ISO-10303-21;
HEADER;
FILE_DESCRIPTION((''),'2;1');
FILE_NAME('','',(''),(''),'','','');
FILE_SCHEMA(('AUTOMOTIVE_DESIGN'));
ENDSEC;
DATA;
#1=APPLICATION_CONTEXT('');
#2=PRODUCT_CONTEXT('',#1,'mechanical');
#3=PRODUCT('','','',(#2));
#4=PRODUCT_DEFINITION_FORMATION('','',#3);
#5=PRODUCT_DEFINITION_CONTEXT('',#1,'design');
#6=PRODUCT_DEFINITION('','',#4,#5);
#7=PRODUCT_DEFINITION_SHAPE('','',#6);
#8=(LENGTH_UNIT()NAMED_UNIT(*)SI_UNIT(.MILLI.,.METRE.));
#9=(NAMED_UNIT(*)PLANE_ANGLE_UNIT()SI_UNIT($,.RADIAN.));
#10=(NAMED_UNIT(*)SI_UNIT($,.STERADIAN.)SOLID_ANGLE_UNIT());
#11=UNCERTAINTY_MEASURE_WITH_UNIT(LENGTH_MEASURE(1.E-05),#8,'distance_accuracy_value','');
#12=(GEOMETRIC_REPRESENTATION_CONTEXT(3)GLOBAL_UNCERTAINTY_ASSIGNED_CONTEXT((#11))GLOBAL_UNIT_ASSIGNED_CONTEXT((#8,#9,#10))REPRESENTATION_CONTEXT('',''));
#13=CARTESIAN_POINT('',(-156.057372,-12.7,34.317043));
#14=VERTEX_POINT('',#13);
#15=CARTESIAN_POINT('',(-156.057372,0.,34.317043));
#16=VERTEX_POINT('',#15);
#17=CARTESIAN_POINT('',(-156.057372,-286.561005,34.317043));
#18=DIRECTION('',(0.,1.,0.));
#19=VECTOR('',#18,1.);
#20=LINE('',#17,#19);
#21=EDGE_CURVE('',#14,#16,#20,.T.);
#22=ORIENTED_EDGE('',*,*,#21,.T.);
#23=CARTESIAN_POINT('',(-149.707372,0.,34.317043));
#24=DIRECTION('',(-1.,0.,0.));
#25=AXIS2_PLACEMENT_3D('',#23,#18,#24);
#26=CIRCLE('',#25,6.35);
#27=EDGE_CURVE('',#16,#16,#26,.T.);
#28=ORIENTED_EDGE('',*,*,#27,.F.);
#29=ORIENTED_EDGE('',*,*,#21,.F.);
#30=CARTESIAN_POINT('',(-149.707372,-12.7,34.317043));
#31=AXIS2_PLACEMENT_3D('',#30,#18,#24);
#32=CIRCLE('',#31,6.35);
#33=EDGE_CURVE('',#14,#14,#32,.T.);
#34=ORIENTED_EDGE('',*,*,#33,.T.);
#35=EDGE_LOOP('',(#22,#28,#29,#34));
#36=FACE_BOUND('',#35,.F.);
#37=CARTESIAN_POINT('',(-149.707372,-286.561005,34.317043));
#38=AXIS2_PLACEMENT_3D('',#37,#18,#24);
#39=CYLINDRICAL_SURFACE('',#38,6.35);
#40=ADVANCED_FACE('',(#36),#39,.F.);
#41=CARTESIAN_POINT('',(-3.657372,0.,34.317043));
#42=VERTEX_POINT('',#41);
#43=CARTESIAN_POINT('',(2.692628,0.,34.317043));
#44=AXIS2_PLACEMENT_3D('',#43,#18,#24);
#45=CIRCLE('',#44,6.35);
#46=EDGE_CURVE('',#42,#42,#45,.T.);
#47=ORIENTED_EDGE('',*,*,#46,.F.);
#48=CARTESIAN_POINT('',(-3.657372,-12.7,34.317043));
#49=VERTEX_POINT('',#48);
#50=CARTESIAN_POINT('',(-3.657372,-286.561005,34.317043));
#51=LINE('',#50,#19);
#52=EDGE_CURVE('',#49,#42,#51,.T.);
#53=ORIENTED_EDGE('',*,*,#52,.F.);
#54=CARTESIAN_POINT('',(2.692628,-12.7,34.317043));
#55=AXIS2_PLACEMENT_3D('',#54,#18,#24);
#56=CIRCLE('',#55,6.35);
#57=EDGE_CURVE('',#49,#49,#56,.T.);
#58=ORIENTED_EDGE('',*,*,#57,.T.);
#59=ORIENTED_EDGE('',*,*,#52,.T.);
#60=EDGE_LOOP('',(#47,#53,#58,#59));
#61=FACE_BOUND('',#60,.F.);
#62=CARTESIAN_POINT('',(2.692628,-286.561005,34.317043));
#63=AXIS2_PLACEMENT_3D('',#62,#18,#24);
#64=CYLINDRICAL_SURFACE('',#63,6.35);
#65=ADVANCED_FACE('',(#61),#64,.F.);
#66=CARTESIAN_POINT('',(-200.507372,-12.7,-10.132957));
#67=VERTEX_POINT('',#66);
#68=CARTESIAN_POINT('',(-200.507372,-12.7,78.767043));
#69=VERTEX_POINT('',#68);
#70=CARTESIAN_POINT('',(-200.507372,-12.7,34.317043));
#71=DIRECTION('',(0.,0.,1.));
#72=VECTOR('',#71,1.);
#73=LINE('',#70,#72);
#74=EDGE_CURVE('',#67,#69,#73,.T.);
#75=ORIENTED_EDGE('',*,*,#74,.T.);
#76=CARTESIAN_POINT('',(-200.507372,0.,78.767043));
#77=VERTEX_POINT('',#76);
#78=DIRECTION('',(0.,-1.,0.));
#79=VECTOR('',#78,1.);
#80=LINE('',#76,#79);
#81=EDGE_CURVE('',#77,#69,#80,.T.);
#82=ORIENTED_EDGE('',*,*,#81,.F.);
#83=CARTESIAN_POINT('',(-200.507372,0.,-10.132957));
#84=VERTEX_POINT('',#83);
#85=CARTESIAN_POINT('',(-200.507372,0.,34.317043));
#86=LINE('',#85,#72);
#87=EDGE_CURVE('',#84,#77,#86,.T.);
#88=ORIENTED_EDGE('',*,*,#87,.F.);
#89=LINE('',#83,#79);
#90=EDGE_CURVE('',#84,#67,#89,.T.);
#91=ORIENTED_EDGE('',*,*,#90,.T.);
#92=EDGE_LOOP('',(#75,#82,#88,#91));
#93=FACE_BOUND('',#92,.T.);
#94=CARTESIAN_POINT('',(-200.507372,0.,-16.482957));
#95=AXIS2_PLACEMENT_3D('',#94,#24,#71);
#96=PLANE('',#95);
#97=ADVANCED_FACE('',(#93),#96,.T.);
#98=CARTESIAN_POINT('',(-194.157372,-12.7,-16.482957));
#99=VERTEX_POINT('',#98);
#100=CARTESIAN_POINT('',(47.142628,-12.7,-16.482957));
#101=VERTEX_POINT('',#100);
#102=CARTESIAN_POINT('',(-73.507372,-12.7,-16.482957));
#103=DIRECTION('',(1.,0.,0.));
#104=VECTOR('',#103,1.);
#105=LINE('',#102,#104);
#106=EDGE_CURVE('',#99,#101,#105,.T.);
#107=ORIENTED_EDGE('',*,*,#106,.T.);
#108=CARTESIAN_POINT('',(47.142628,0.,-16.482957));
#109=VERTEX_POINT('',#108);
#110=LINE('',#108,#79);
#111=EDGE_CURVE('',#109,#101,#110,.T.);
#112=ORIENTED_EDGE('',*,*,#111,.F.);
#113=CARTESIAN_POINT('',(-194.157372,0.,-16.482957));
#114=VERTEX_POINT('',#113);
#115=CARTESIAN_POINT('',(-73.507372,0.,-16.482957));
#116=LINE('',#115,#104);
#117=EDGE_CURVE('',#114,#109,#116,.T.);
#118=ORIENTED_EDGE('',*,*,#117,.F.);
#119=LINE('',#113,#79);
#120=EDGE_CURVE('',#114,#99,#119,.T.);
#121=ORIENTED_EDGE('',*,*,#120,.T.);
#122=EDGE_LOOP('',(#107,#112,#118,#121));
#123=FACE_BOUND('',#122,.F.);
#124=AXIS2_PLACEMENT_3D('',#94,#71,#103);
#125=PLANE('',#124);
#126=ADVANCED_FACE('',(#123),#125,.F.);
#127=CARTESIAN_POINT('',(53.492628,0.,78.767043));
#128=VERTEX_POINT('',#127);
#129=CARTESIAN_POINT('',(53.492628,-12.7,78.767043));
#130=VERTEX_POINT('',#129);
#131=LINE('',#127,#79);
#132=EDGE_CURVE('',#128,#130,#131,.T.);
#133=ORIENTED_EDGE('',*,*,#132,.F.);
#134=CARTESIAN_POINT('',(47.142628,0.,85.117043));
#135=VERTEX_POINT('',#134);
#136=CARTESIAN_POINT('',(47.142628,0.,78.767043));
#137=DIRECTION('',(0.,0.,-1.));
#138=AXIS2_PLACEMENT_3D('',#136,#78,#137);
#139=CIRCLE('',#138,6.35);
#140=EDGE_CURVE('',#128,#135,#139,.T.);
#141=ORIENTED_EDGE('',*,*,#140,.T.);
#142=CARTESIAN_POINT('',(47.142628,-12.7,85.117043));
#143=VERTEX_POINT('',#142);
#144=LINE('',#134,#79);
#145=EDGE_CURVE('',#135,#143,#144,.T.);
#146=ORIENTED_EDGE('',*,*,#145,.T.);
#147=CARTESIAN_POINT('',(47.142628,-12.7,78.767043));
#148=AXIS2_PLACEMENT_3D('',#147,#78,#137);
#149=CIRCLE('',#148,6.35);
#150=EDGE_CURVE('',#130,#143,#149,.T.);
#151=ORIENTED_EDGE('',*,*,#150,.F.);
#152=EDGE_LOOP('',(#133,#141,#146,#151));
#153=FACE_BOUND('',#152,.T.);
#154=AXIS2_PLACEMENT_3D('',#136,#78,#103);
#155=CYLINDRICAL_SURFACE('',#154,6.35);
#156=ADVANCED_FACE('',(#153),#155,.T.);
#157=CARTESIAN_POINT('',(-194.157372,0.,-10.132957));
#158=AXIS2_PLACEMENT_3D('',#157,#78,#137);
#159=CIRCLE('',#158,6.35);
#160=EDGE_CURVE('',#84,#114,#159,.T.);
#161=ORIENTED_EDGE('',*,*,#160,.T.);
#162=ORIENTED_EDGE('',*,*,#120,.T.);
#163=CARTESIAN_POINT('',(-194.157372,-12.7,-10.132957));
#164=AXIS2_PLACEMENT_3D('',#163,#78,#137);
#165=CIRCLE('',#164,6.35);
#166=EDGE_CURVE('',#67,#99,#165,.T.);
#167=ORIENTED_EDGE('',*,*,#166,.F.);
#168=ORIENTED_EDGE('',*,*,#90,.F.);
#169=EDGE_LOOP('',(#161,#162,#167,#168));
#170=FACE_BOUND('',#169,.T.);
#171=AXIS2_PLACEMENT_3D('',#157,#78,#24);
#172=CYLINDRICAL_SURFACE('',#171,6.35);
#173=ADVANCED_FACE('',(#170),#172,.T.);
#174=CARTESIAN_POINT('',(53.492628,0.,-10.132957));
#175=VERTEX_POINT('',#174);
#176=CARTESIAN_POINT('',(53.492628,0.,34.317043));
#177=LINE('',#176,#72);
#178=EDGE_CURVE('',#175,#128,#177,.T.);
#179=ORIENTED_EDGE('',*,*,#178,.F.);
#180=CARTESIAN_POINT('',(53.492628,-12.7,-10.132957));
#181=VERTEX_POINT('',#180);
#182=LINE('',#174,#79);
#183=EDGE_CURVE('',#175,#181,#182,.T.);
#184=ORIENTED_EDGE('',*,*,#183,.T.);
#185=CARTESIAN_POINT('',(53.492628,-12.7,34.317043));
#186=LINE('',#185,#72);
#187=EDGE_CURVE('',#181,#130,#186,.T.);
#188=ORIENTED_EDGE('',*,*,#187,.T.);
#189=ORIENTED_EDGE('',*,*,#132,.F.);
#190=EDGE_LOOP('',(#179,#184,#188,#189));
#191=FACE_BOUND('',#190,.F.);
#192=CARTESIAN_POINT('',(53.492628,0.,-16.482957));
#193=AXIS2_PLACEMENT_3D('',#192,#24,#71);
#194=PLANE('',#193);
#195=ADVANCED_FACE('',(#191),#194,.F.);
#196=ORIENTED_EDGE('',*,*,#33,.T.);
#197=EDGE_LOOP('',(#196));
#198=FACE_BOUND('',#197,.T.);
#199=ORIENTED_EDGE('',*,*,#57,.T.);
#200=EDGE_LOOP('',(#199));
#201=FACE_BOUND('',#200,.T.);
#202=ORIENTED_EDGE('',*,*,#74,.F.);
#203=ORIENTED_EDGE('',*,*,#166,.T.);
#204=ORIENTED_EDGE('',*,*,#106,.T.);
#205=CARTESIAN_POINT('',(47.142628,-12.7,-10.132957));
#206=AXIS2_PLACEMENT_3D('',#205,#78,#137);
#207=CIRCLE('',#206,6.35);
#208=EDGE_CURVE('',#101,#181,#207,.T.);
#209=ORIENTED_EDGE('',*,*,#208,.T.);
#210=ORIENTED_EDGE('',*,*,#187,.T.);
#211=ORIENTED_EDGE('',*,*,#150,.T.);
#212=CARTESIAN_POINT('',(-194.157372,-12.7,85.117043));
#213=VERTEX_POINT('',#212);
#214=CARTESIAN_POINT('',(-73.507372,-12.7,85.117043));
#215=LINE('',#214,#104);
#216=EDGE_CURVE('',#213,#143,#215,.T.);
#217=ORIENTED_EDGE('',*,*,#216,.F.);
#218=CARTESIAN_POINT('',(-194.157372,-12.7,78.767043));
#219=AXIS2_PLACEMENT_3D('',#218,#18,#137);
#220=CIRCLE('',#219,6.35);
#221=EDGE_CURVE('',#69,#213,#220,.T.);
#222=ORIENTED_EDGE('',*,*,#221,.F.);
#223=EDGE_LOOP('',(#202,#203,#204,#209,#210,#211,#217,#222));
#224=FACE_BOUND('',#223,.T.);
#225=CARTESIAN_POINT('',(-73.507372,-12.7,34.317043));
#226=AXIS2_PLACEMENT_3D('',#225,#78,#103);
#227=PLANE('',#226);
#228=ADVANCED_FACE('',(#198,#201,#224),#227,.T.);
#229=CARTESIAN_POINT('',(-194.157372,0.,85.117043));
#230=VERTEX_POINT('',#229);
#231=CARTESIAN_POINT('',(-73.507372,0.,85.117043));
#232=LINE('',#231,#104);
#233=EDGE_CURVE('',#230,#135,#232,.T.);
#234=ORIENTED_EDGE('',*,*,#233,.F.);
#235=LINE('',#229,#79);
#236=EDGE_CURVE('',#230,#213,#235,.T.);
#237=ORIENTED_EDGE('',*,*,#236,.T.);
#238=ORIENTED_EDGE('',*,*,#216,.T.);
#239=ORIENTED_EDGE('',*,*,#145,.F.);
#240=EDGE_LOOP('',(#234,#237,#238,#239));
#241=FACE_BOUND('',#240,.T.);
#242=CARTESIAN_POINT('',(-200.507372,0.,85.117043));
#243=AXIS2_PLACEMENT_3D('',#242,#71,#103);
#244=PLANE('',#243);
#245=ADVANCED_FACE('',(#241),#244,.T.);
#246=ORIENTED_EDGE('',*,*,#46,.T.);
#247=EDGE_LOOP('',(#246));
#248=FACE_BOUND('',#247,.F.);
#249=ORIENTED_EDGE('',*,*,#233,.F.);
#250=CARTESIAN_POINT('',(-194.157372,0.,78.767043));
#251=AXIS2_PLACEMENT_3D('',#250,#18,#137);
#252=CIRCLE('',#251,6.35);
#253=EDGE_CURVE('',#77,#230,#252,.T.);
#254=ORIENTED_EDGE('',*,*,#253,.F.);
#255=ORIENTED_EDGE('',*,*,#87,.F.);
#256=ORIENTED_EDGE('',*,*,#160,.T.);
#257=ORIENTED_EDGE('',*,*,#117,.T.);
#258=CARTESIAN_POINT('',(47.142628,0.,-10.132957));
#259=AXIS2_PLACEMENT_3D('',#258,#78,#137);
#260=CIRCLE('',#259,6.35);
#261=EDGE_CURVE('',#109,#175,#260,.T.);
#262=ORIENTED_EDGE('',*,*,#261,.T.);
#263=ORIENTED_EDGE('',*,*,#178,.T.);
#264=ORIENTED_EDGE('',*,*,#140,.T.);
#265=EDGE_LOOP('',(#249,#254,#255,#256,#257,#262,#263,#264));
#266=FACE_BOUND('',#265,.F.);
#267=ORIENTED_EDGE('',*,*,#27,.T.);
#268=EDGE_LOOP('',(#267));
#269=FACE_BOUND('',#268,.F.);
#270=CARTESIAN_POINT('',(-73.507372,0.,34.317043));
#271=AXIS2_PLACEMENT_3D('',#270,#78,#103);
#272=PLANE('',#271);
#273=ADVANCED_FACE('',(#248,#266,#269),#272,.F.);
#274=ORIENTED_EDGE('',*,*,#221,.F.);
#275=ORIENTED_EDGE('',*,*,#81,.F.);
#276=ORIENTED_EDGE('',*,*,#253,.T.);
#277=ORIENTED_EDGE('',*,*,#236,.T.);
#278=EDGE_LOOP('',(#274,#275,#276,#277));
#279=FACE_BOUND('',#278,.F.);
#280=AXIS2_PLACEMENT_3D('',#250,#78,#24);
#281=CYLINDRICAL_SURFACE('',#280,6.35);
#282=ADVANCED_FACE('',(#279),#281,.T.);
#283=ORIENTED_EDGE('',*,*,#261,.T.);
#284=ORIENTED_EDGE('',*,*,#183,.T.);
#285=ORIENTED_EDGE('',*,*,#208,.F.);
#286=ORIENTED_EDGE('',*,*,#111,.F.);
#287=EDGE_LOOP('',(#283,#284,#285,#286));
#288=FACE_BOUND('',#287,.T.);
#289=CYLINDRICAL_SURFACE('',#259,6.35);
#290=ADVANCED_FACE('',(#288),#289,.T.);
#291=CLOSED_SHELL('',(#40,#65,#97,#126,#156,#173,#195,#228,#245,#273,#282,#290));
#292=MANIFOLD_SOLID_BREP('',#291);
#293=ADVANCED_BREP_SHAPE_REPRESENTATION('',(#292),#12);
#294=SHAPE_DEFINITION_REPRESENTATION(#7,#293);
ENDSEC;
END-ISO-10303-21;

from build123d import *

# Parameters (mm, degrees)
F0_W     = 254
F0_H     = 101.6
F1_DEPTH = 12.7
F2_R     = 6.35
F4_D     = 12.7


with BuildPart() as f1:
    # F0 (on Front) → F1 (new body)
    with BuildSketch(Plane.XZ):
        with Locations((-73.507372, 34.317043)):
            Rectangle(F0_W, F0_H)
    extrude(amount=F1_DEPTH)

    # F2
    f2_edges = [f1.edges().sort_by_distance(p)[0] for p in [
        (-200.507372, -6.35, 85.117043),
        (-200.507372, -6.35, -16.482957),
        (53.492628, -6.35, -16.482957),
        (53.492628, -6.35, 85.117043),
    ]]
    fillet(f2_edges, radius=F2_R)

    # F4 (through all)
    with Locations(Plane.XZ.offset(12.7)):
        with Locations((-149.707372, 34.317043), (2.692628, 34.317043)):
            Hole(F4_D / 2)


solid = f1.part
